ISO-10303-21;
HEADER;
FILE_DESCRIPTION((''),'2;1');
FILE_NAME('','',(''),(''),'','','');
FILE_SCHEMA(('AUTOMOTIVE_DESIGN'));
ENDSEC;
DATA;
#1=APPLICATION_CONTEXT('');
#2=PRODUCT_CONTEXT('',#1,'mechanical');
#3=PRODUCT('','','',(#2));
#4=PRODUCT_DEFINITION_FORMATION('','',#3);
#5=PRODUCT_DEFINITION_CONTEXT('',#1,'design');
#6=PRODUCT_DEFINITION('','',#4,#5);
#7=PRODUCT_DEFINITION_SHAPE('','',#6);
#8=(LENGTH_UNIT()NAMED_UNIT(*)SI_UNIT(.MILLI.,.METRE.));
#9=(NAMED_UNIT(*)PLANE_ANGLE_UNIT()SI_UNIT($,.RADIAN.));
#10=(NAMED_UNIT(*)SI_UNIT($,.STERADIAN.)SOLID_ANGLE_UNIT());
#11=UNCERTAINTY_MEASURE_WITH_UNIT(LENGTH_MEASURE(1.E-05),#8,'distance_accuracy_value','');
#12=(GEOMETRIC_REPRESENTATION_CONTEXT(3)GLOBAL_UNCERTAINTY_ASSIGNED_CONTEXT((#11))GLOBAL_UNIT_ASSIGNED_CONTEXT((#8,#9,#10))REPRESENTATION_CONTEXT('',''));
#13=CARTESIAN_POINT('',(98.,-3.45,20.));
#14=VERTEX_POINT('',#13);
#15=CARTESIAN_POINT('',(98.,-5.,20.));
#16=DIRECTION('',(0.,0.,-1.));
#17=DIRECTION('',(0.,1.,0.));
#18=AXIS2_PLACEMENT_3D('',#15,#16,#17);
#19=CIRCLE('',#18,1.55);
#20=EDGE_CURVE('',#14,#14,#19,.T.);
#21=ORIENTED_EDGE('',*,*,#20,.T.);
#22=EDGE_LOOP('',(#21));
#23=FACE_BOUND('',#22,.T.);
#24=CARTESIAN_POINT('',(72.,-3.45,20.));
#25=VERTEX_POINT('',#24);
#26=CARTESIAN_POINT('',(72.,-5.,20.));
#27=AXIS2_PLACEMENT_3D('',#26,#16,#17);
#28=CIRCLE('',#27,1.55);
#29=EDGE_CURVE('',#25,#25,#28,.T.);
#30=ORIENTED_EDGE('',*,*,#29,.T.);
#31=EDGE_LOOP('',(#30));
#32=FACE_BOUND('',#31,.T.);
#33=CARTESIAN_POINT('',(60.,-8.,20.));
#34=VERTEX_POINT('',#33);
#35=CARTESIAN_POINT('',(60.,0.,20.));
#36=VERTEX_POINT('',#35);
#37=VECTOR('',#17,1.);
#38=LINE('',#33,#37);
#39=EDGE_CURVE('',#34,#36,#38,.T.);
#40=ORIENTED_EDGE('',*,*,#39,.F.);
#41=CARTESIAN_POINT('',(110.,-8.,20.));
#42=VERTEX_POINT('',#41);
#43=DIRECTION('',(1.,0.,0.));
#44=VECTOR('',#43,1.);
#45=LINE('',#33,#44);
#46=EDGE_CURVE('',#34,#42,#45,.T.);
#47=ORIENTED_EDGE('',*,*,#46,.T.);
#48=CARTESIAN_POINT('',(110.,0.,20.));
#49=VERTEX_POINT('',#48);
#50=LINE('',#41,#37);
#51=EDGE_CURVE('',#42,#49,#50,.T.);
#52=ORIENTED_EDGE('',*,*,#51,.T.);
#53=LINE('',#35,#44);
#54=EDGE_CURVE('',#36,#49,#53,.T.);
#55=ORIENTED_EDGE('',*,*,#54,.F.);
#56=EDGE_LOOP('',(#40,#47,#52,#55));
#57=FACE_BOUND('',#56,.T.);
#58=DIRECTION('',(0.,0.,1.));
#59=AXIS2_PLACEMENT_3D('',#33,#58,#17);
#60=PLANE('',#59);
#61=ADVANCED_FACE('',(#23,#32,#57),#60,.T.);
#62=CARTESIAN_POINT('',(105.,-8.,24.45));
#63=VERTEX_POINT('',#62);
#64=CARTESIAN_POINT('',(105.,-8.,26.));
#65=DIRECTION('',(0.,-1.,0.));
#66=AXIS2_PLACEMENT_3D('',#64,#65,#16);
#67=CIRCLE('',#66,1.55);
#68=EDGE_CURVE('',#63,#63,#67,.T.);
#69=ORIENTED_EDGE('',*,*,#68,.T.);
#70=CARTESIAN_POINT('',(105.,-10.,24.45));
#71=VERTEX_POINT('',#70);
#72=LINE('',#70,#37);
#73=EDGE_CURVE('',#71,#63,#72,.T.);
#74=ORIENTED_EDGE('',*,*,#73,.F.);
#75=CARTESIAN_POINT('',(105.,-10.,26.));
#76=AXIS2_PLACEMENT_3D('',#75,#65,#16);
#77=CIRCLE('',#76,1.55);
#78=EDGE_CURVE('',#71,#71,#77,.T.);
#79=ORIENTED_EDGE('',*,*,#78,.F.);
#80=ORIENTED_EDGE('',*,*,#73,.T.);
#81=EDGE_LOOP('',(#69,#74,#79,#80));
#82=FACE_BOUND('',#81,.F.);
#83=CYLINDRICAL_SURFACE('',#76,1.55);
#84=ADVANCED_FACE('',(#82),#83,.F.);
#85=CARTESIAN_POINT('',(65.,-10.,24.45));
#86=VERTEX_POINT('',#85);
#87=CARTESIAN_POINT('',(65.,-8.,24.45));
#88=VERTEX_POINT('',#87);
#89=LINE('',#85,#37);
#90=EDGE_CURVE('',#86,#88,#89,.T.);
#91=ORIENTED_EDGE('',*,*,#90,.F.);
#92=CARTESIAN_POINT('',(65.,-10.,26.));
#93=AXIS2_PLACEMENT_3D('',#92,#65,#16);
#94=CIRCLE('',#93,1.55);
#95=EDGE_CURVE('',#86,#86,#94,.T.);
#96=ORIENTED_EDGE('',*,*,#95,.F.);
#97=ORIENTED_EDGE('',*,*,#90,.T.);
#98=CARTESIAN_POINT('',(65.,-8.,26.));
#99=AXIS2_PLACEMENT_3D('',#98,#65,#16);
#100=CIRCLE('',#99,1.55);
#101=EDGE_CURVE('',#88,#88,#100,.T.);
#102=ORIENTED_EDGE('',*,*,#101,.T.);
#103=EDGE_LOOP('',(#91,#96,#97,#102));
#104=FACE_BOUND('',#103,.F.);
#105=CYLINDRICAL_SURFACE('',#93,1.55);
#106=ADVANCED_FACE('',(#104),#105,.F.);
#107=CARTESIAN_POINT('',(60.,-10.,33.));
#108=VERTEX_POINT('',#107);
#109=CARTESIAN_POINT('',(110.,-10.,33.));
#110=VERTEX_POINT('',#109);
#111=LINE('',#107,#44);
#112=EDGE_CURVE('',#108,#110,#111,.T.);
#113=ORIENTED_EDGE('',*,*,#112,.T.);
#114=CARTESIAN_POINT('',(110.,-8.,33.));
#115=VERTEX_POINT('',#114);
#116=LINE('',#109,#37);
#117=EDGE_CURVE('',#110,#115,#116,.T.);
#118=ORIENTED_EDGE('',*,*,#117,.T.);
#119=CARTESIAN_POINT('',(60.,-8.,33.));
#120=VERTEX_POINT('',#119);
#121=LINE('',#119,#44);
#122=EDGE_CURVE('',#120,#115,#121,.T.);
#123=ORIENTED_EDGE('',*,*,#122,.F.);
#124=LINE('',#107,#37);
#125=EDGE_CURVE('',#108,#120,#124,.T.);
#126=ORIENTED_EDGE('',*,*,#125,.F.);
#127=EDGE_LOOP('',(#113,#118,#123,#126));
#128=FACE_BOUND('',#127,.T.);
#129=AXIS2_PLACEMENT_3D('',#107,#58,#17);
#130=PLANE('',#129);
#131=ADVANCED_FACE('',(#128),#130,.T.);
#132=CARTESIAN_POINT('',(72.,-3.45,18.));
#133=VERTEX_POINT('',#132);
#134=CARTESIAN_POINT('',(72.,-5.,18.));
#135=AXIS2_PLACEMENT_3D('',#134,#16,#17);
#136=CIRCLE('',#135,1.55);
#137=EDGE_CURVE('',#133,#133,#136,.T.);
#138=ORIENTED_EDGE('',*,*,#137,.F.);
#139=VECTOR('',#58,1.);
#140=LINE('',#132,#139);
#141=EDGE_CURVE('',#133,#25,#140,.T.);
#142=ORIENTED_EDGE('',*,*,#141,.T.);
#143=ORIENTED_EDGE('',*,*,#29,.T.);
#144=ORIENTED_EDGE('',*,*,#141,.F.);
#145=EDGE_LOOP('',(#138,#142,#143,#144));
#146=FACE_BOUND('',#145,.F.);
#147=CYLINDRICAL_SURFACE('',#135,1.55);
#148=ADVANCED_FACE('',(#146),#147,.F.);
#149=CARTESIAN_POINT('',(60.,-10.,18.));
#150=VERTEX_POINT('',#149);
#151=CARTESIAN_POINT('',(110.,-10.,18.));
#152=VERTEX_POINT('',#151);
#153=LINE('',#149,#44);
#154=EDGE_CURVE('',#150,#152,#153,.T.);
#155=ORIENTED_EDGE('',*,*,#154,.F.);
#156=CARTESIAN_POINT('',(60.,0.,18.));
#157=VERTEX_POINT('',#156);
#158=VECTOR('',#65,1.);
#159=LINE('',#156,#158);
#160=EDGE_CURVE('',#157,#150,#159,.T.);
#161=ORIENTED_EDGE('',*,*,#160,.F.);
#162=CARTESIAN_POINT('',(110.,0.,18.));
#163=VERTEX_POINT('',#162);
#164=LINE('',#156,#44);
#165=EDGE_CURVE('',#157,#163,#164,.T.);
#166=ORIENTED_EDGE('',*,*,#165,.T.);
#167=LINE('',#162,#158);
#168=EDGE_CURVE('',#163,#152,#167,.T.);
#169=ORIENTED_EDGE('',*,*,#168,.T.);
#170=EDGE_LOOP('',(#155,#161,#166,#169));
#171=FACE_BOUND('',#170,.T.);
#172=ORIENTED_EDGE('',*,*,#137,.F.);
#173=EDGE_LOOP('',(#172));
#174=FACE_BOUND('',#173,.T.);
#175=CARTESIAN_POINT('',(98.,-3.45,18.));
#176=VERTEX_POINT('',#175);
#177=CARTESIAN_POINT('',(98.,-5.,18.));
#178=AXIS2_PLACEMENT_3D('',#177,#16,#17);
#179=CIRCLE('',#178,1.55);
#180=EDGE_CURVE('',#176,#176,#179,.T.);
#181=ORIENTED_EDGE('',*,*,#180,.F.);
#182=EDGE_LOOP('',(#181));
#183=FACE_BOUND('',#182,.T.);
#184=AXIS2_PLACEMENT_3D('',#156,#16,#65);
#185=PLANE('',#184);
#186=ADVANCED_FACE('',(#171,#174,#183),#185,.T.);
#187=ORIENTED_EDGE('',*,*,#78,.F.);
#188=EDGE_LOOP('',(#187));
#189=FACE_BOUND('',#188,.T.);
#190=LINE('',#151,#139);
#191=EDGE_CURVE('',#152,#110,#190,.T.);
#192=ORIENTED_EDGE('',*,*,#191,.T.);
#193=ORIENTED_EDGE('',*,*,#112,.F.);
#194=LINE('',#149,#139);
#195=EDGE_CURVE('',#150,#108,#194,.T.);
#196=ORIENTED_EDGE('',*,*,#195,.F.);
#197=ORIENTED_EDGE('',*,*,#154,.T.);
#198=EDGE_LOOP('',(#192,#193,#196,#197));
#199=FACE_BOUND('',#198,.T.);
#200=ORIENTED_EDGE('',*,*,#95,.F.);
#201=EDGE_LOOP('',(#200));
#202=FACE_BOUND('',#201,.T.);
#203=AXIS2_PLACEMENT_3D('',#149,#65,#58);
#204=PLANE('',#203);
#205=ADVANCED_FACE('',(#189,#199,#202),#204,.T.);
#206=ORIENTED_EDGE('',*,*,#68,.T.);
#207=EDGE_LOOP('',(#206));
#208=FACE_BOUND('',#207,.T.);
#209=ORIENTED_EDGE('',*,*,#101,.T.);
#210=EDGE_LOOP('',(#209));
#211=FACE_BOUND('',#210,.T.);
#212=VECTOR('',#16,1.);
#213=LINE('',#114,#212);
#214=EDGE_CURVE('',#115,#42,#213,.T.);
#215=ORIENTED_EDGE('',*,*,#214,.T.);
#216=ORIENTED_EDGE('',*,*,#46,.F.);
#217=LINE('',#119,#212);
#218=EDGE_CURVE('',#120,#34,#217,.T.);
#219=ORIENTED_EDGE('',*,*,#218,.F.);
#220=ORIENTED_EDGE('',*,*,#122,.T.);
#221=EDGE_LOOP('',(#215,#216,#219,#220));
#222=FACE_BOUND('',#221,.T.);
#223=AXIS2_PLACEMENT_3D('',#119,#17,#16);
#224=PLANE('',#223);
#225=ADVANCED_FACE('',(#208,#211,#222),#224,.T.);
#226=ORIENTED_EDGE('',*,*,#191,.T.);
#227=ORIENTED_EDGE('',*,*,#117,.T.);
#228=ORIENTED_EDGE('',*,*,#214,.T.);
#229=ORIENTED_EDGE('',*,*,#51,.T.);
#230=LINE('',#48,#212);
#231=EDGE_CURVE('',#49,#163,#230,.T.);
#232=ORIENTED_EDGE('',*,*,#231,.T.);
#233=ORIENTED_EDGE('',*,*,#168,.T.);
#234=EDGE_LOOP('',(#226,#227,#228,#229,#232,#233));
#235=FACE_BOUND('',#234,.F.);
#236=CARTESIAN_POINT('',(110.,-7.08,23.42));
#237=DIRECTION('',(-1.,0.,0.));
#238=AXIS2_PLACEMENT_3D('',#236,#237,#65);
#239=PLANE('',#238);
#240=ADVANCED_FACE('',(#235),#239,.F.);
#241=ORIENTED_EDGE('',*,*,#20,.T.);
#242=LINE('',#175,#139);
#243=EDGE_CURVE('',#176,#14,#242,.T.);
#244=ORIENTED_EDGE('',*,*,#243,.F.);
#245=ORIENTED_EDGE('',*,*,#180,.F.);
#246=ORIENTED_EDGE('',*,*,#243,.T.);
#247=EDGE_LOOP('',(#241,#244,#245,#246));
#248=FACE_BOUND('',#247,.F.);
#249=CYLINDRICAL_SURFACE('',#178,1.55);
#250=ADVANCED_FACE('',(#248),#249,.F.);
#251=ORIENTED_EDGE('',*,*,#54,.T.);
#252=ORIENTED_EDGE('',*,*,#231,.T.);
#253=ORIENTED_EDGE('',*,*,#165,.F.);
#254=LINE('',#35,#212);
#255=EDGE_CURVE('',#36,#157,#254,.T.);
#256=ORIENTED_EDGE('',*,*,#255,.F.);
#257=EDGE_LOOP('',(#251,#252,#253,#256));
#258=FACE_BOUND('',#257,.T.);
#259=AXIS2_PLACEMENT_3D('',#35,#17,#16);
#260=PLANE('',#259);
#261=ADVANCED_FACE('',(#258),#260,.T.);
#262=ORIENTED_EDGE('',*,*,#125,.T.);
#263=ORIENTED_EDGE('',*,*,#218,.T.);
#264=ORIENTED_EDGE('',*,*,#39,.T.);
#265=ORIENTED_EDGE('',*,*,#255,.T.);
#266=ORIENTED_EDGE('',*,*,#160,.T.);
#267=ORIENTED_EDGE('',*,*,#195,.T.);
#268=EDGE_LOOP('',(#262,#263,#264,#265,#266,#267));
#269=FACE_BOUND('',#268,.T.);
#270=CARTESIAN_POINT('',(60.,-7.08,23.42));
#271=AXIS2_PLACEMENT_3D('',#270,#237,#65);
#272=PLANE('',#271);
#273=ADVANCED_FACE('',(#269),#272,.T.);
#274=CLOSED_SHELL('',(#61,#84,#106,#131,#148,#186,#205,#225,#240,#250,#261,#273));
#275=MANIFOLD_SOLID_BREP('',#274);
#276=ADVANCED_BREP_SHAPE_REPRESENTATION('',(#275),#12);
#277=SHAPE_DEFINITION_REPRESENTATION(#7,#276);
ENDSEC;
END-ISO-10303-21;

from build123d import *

# Parameters (mm, degrees)
PAD041_DEPTH    = 50
SKETCH243_R     = 1.55
POCKET202_DEPTH = 15.001
SKETCH244_R     = 1.55
POCKET203_DEPTH = 10.001


with BuildPart() as part:
    # Sketch242 → Pad041 (new body)
    with BuildSketch(Plane.YZ):
        Polygon((0, 0), (0, 15), (2, 15), (2, 2), (10, 2), (10, 0), align=None)
    extrude(amount=PAD041_DEPTH)

    # Sketch243 (on Face6 of Pad041) → Pocket202 (cut, through all)
    with BuildSketch(Plane.YX):
        with Locations((5, 38)):
            Circle(SKETCH243_R)
        with Locations((5, 12)):
            Circle(SKETCH243_R)
    extrude(amount=-POCKET202_DEPTH, mode=Mode.SUBTRACT)

    # Sketch244 (on Face1 of Pocket202) → Pocket203 (cut, through all)
    with BuildSketch(Plane(origin=(0, 0, 0), x_dir=(0, 0, -1), z_dir=(0, -1, 0))):
        with Locations((-8, 45)):
            Circle(SKETCH244_R)
        with Locations((-8, 5)):
            Circle(SKETCH244_R)
    extrude(amount=-POCKET203_DEPTH, mode=Mode.SUBTRACT)


with BuildPart() as part_1:
    # Body042 placement: moved
    add(part.part.moved(Location((60, -10, 18))))


solid = part_1.part
